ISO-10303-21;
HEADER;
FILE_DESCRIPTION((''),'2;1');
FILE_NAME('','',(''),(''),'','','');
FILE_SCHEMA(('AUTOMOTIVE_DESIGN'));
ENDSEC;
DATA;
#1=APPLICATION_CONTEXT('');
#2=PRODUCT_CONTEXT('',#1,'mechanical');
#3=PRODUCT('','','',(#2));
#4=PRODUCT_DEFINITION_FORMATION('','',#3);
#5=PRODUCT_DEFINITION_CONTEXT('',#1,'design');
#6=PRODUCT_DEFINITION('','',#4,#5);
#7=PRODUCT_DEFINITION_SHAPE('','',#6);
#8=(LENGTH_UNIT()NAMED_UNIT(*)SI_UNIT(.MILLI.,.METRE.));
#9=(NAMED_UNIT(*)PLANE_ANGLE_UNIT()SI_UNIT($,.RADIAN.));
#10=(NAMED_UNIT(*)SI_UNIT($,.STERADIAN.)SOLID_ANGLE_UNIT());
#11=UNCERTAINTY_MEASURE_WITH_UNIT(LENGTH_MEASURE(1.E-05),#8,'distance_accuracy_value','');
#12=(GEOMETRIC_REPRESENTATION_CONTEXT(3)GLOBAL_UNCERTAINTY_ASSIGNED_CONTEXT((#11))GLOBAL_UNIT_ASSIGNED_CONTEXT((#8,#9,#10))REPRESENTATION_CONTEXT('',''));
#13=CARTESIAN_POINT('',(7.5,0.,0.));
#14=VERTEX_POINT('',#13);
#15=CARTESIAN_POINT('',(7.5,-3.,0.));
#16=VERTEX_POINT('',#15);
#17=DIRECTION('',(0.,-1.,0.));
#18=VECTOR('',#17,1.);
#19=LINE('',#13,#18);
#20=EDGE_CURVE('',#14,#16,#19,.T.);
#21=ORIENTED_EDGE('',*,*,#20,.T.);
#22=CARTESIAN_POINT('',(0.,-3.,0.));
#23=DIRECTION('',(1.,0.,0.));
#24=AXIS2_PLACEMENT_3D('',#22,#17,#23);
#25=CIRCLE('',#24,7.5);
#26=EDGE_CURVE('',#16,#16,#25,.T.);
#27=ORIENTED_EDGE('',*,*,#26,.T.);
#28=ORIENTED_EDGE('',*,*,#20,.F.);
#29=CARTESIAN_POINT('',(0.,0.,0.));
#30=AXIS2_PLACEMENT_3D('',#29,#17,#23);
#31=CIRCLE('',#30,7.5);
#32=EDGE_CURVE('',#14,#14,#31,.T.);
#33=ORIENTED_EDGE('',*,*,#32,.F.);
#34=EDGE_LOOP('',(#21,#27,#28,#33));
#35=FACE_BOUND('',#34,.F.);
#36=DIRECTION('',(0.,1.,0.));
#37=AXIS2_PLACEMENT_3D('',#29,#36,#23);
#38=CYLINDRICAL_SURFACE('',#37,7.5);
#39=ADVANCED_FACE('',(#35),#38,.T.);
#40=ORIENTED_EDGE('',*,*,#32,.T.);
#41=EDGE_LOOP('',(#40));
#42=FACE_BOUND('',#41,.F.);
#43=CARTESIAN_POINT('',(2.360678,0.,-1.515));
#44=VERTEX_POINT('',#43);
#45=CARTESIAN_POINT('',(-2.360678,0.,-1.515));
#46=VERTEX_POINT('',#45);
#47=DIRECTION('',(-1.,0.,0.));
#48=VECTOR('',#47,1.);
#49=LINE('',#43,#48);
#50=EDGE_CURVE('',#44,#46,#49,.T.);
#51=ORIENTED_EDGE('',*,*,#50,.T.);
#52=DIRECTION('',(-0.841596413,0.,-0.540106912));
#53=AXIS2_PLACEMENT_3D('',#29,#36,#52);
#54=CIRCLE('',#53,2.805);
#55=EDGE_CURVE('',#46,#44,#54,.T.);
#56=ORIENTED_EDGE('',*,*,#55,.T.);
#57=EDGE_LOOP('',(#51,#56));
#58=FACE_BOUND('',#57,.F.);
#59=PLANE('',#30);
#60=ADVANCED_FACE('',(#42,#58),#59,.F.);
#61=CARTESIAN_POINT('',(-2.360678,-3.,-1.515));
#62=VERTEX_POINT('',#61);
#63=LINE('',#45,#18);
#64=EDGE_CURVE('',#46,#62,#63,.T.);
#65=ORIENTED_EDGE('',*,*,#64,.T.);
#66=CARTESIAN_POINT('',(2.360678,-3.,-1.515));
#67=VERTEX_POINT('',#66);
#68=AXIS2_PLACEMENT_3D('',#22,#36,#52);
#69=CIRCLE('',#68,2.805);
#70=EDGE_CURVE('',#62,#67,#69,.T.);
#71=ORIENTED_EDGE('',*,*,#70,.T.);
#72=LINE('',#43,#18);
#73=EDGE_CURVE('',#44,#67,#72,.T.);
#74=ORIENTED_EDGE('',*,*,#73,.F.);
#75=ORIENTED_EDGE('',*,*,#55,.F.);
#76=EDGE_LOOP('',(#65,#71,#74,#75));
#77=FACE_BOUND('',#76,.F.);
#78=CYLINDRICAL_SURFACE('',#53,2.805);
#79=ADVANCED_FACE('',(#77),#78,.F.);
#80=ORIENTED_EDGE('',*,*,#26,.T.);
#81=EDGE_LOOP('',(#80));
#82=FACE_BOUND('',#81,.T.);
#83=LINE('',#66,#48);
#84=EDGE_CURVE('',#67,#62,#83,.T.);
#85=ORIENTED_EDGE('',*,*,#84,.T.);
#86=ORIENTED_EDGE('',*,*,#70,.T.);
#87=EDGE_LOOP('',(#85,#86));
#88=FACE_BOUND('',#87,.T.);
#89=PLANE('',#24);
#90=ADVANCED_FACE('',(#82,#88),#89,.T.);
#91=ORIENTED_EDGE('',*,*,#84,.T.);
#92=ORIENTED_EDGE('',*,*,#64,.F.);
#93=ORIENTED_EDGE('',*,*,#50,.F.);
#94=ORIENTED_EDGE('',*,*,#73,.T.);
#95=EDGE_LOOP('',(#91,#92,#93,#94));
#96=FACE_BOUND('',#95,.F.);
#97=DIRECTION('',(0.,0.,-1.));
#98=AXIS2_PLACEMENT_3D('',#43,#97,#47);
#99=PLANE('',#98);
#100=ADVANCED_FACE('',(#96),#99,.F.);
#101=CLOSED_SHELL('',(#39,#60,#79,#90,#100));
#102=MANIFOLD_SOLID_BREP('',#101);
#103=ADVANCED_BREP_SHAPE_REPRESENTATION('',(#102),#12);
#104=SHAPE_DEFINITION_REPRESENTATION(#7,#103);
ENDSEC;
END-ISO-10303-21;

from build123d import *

# Parameters (mm, degrees)
F0_R     = 7.5
F1_DEPTH = 3


with BuildPart() as f1:
    # F0 (on Front) → F1 (new body)
    with BuildSketch(Plane.XZ):
        Circle(F0_R)
        with BuildLine():
            Line((2.360678, -1.515), (0, -1.515))
            Line((0, -1.515), (-2.360678, -1.515))
            ThreePointArc((-2.360678, -1.515), (0, 2.805), (2.360678, -1.515))
        make_face(mode=Mode.SUBTRACT)
    extrude(amount=F1_DEPTH)


solid = f1.part
